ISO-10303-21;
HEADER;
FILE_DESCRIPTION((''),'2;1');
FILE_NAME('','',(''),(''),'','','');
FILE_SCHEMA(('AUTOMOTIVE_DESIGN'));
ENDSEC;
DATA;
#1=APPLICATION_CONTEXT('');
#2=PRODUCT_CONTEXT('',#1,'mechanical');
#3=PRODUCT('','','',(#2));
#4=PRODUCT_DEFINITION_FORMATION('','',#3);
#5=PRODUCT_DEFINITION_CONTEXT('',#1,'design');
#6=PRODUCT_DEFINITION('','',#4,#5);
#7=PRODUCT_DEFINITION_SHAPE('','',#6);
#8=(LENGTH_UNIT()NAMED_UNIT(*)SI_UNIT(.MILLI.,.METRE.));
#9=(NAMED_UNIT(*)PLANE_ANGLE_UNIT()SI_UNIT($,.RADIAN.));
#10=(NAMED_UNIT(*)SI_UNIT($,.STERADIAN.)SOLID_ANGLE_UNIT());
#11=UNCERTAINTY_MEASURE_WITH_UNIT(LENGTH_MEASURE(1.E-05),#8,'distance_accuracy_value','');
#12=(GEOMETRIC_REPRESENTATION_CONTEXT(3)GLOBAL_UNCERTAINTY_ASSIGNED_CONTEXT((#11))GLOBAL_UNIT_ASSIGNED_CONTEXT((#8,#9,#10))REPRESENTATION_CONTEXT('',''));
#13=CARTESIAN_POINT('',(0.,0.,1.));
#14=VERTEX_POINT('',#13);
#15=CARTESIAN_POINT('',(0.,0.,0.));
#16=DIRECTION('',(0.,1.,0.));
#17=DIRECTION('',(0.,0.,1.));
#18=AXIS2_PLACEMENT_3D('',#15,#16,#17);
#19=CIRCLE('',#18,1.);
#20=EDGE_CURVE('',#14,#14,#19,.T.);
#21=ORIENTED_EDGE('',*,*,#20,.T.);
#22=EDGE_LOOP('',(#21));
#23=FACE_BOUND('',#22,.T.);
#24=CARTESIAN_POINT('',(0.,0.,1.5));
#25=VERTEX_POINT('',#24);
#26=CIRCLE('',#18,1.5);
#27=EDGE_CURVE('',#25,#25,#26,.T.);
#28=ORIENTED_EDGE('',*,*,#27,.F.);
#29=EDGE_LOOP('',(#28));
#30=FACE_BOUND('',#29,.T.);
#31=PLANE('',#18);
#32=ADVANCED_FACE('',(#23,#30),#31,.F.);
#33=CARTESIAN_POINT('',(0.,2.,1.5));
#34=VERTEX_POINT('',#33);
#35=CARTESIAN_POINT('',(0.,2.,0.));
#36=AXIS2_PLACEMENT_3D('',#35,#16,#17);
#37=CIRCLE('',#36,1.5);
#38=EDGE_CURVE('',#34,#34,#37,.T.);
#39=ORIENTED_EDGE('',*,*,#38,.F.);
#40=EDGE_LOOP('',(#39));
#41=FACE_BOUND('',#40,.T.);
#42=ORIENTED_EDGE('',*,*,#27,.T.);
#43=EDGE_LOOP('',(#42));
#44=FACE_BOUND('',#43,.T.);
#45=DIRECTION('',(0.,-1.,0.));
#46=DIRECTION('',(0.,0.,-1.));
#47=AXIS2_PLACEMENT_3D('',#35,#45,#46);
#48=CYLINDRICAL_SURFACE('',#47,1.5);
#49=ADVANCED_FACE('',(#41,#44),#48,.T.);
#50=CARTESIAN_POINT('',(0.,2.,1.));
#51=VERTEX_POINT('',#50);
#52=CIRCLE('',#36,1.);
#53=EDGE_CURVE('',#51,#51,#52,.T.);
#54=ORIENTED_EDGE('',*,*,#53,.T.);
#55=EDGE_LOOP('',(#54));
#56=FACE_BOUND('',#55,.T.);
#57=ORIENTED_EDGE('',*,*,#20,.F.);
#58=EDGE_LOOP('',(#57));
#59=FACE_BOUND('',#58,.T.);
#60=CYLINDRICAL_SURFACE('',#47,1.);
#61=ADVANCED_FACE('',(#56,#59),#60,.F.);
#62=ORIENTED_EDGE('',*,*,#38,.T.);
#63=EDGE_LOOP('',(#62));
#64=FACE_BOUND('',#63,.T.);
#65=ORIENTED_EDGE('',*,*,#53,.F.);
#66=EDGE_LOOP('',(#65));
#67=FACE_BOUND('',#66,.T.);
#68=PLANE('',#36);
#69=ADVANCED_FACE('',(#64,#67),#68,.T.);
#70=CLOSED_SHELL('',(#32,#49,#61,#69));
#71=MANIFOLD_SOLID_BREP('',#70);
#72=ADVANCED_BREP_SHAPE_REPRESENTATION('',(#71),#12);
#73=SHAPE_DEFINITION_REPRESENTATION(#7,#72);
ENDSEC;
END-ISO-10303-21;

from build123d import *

# Parameters (mm, degrees)
ESBO_O2_R                = 1.5
ESBO_O2_R_2              = 1
RESSALTO_EXTRUS_O1_DEPTH = 2


with BuildPart() as part:
    # Esboço2 → Ressalto-extrusão1 (new body)
    with BuildSketch(Plane(origin=(0, 0, 0), x_dir=(1, 0, 0), z_dir=(0, 1, 0))):
        with Locations(Location((0, 0, 0), (0, 0, 270))):
            Circle(ESBO_O2_R)
        with Locations(Location((0, 0, 0), (0, 0, 270))):
            Circle(ESBO_O2_R_2, mode=Mode.SUBTRACT)
    extrude(amount=RESSALTO_EXTRUS_O1_DEPTH)


solid = part.part
